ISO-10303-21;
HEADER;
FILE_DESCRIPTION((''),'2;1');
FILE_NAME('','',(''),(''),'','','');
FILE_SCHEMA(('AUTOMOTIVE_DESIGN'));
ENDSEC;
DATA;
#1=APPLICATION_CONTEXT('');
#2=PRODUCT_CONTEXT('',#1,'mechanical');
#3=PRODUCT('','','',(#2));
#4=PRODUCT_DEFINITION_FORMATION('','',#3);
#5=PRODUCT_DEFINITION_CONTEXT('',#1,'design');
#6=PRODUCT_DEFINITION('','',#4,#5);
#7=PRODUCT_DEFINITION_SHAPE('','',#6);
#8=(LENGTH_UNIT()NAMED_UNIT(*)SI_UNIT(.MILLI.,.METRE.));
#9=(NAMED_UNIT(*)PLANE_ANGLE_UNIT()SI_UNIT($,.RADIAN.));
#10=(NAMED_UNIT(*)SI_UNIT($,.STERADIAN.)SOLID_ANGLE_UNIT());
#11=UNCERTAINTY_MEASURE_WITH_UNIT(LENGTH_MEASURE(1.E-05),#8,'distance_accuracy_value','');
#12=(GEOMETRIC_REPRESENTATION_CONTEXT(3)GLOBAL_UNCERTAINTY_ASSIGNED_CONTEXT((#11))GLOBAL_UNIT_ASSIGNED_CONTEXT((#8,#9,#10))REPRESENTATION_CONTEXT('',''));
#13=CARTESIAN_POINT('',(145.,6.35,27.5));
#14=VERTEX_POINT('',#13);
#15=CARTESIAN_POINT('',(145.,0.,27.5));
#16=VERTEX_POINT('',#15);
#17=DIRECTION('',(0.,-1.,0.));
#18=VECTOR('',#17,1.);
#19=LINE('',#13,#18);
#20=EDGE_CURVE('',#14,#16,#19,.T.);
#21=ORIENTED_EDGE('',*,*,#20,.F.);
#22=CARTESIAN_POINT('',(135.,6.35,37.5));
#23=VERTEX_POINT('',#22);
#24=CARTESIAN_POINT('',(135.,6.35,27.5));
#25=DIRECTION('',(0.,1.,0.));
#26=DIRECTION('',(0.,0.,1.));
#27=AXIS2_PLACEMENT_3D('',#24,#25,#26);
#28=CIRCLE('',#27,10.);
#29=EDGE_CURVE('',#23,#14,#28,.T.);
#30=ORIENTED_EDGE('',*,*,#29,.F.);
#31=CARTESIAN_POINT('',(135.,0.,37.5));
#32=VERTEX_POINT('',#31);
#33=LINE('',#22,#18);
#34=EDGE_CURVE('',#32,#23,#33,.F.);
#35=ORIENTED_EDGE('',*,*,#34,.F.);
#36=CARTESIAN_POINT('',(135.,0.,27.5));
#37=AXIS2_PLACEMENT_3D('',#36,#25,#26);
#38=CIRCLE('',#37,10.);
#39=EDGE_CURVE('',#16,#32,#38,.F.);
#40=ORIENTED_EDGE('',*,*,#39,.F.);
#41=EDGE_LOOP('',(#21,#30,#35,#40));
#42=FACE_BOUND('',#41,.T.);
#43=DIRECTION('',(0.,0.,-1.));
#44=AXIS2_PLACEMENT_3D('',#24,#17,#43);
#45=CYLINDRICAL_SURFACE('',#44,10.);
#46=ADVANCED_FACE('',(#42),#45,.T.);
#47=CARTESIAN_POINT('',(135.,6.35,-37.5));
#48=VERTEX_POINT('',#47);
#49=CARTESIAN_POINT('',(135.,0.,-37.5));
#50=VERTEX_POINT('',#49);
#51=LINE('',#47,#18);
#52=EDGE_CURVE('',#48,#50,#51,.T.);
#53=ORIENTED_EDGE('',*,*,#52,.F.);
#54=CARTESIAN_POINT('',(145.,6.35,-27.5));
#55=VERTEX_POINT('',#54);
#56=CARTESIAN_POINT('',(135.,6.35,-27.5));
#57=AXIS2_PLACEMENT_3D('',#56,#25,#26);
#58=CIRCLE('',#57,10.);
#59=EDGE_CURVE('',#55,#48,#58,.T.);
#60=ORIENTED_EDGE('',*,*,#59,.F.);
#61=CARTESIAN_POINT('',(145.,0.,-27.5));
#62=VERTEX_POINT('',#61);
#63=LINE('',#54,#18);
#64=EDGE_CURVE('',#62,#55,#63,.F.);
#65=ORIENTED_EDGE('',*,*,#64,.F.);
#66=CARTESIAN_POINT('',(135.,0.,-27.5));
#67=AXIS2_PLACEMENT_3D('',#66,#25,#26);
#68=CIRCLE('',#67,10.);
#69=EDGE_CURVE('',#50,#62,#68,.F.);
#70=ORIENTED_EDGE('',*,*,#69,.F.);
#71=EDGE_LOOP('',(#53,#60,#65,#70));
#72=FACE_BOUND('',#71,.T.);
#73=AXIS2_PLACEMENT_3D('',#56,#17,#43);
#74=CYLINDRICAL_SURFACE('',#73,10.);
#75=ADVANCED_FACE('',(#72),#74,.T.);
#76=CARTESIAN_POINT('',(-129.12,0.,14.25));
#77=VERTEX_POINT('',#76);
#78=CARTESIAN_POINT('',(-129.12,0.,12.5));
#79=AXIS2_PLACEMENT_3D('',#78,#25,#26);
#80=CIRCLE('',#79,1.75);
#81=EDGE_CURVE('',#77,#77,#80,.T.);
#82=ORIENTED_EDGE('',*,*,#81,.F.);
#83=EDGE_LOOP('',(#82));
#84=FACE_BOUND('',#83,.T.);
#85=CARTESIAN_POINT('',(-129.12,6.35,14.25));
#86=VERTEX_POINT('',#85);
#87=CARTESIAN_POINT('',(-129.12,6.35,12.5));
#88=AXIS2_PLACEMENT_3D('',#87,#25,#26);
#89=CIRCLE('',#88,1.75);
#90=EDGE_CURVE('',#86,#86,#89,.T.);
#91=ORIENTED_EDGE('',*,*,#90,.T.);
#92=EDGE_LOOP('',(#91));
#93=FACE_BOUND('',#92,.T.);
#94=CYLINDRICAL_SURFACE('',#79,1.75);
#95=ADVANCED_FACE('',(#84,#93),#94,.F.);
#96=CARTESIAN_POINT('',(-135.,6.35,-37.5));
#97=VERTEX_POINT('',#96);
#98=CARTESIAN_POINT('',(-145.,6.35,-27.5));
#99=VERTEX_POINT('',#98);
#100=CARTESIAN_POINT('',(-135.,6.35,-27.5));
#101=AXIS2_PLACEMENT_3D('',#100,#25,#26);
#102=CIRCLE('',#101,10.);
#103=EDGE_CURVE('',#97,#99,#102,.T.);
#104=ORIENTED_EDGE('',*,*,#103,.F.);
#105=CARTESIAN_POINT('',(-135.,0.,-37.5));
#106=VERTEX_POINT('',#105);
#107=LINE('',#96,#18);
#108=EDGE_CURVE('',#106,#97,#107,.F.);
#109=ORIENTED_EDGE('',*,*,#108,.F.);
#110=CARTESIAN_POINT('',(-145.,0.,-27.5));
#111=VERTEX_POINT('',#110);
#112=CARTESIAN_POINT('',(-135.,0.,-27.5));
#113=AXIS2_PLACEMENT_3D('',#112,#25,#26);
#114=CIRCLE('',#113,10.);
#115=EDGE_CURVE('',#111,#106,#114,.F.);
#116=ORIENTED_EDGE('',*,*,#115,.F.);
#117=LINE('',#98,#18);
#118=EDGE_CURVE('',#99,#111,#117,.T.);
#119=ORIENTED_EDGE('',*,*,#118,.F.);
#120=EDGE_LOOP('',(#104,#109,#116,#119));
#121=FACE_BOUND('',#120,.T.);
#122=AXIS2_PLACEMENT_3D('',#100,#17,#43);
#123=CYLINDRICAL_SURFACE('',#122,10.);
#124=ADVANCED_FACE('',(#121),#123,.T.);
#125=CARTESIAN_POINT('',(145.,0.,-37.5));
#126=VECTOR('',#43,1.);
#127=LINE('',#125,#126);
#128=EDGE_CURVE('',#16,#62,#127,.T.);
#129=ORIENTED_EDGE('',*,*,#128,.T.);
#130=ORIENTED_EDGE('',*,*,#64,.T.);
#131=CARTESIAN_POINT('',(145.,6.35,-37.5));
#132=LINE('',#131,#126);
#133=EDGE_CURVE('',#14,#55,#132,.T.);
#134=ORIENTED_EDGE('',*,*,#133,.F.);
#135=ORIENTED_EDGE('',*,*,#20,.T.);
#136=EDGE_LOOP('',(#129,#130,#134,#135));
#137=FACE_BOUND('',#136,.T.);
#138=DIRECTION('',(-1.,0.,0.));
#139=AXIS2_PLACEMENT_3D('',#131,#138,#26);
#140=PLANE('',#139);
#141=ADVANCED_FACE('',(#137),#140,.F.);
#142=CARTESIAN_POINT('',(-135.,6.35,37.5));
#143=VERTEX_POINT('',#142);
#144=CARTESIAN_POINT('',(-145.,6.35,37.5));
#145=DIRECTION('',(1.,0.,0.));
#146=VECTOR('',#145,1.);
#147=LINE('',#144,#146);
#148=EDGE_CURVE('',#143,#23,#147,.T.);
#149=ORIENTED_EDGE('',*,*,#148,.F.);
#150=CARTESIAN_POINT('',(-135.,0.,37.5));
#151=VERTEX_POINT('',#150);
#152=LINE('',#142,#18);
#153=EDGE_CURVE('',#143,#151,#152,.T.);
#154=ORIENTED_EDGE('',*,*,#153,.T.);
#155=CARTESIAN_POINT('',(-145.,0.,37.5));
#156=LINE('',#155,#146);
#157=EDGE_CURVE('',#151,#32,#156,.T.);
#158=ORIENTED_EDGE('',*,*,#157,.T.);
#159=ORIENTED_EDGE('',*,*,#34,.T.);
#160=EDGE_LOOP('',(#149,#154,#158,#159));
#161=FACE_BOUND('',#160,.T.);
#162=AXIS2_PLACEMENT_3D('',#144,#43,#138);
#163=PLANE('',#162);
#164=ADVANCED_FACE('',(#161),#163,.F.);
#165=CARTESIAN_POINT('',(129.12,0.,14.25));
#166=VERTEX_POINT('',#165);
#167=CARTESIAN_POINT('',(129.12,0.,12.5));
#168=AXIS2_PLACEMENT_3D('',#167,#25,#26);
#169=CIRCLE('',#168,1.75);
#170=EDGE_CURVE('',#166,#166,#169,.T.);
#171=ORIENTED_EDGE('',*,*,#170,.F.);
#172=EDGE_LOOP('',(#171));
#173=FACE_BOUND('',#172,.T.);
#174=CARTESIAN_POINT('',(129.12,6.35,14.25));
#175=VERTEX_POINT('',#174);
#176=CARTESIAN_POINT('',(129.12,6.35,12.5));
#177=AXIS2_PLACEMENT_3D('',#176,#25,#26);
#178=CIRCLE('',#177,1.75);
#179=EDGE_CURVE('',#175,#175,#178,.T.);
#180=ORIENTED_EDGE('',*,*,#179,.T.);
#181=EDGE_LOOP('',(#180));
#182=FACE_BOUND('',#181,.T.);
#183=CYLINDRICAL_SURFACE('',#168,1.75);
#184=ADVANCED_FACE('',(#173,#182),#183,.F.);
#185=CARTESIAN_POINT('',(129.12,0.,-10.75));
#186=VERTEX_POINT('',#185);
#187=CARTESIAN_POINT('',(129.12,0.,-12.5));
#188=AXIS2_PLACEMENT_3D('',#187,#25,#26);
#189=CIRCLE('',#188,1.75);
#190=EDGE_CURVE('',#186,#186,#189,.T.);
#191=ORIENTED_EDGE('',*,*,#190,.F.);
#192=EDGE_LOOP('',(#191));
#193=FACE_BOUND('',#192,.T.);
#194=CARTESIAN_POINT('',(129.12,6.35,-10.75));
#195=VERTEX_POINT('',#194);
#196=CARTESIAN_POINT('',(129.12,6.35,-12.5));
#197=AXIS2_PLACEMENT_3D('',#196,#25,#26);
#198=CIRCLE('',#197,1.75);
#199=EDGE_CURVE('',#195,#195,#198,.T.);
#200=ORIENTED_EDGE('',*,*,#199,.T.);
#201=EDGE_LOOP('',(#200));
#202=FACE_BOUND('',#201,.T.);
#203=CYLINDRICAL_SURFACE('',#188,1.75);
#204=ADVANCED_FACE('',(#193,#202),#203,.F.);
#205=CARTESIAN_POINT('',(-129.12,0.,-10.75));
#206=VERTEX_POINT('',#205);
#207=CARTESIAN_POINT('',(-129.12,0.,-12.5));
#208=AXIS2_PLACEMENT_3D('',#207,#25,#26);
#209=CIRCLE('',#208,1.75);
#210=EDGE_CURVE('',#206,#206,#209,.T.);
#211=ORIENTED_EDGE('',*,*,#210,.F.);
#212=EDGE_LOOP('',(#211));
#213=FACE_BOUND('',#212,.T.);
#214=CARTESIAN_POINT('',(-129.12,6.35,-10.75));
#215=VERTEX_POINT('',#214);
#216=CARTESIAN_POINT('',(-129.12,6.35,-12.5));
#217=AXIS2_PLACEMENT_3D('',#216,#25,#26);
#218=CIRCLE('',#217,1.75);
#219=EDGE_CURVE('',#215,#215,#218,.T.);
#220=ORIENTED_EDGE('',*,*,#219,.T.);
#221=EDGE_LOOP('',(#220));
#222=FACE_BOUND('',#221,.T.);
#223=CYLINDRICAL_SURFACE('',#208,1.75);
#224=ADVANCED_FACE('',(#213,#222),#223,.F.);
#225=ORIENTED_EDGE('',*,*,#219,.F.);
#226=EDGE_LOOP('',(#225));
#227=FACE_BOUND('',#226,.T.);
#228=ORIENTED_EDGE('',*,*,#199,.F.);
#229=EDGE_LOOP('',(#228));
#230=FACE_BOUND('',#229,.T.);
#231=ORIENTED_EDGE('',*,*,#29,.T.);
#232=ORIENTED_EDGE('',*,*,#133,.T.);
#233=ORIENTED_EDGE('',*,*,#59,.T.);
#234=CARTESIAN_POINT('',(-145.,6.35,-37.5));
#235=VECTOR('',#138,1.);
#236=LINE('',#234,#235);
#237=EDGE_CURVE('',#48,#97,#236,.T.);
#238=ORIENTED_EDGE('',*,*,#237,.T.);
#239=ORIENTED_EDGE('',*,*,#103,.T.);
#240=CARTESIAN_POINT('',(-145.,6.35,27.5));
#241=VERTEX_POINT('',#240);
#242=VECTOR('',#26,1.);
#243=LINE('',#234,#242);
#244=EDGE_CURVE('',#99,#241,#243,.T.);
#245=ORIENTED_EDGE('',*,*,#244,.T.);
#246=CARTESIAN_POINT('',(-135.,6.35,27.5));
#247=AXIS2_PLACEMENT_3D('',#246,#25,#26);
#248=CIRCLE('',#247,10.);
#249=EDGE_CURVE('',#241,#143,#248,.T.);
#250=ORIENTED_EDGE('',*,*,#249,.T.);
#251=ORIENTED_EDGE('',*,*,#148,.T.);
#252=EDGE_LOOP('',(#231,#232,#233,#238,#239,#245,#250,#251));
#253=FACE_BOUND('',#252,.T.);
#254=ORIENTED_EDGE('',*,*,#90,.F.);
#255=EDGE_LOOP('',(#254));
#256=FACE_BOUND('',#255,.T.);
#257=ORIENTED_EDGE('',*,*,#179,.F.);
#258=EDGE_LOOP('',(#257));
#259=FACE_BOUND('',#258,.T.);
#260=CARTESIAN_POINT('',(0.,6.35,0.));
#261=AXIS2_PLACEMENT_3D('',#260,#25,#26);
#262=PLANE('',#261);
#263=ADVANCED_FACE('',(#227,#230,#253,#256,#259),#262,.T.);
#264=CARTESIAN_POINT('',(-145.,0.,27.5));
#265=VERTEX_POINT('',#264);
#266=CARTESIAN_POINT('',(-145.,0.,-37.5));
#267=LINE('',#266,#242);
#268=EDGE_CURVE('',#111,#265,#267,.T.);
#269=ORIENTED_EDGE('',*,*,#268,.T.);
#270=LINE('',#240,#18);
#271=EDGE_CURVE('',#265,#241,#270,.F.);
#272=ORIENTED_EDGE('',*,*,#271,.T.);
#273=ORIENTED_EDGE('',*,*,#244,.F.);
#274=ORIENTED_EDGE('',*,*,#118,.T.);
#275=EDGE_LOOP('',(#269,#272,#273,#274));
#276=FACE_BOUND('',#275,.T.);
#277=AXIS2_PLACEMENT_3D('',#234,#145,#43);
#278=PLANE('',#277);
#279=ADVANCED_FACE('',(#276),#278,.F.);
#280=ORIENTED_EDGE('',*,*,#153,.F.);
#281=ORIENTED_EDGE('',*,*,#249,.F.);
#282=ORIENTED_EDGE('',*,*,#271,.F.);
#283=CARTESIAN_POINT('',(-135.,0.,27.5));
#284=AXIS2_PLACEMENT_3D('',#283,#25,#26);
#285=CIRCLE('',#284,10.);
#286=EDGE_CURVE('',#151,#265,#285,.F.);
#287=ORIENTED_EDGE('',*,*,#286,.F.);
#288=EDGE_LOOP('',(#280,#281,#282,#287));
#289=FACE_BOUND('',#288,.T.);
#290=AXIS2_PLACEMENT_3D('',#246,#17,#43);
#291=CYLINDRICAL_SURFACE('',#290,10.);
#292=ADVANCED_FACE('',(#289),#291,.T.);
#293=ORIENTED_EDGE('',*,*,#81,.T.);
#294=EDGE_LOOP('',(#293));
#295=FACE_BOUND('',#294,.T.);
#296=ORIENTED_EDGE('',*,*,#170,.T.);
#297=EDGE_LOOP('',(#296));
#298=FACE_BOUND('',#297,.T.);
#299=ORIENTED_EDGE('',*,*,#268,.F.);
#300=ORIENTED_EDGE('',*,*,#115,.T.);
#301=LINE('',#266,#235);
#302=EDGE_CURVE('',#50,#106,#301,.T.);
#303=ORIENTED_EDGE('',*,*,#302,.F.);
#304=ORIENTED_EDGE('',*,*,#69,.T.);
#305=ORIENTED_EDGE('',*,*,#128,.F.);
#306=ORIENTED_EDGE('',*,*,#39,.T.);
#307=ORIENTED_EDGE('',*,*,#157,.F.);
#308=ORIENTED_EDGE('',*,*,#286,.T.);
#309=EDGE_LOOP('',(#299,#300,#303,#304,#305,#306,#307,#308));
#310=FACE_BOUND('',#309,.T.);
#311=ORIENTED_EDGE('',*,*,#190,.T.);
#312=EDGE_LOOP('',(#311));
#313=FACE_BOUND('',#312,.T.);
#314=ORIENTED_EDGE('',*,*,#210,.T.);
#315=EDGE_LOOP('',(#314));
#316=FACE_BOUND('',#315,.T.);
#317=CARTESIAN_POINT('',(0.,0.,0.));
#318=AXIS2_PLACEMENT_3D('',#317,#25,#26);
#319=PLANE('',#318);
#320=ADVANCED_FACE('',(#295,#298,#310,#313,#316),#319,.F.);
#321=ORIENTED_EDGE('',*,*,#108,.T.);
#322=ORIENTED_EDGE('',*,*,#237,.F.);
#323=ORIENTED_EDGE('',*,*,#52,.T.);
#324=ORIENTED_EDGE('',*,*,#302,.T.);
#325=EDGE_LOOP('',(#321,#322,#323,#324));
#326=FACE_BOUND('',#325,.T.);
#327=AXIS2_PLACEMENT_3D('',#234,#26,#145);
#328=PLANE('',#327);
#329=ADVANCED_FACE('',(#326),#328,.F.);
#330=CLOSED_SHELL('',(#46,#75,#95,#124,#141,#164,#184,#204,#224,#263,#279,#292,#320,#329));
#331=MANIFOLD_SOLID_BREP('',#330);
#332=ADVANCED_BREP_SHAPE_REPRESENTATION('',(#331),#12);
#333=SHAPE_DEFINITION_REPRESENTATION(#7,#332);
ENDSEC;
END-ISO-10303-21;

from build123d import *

# Parameters (mm, degrees)
SKETCH1_W           = 290
SKETCH1_H           = 75
BOSS_EXTRUDE1_DEPTH = 6.35
SKETCH3_R           = 1.75
CUT_EXTRUDE2_DEPTH  = 7.35
FILLET1_R           = 10
SKETCH4_R           = 1.75
CUT_EXTRUDE3_DEPTH  = 7.35
LPATTERN1_COUNT     = 2
LPATTERN1_PITCH     = 25


with BuildPart() as part:
    # Sketch1 → Boss-Extrude1 (new body)
    with BuildSketch(Plane(origin=(0, 0, 0), x_dir=(1, 0, 0), z_dir=(0, 1, 0))):
        Rectangle(SKETCH1_W, SKETCH1_H)
    extrude(amount=BOSS_EXTRUDE1_DEPTH)

    # Sketch3 → Cut-Extrude2 (cut, through all)
    with BuildSketch(Plane(origin=(0, 6.35, 0), x_dir=(1, 0, 0), z_dir=(0, 1, 0))):
        with Locations((129.12, 12.5)):
            Circle(SKETCH3_R)
    cut_extrude2 = extrude(amount=-CUT_EXTRUDE2_DEPTH, mode=Mode.SUBTRACT)

    # Fillet1
    fillet1_edges = [part.edges().sort_by_distance(p)[0] for p in [
        (145, 3.175, 37.5),
        (-145, 3.175, 37.5),
        (-145, 3.175, -37.5),
        (145, 3.175, -37.5),
    ]]
    fillet(fillet1_edges, radius=FILLET1_R)

    # Sketch4 → Cut-Extrude3 (cut, through all)
    with BuildSketch(Plane(origin=(0, 6.35, 0), x_dir=(1, 0, 0), z_dir=(0, 1, 0))):
        with Locations((-129.12, 12.5)):
            Circle(SKETCH4_R)
    cut_extrude3 = extrude(amount=-CUT_EXTRUDE3_DEPTH, mode=Mode.SUBTRACT)

    # LPattern1: Cut-Extrude2, Cut-Extrude3 ×2
    with Locations(*[(0, 0, i * LPATTERN1_PITCH) for i in range(1, LPATTERN1_COUNT)]):
        add(cut_extrude2, mode=Mode.SUBTRACT)
        add(cut_extrude3, mode=Mode.SUBTRACT)


solid = part.part
